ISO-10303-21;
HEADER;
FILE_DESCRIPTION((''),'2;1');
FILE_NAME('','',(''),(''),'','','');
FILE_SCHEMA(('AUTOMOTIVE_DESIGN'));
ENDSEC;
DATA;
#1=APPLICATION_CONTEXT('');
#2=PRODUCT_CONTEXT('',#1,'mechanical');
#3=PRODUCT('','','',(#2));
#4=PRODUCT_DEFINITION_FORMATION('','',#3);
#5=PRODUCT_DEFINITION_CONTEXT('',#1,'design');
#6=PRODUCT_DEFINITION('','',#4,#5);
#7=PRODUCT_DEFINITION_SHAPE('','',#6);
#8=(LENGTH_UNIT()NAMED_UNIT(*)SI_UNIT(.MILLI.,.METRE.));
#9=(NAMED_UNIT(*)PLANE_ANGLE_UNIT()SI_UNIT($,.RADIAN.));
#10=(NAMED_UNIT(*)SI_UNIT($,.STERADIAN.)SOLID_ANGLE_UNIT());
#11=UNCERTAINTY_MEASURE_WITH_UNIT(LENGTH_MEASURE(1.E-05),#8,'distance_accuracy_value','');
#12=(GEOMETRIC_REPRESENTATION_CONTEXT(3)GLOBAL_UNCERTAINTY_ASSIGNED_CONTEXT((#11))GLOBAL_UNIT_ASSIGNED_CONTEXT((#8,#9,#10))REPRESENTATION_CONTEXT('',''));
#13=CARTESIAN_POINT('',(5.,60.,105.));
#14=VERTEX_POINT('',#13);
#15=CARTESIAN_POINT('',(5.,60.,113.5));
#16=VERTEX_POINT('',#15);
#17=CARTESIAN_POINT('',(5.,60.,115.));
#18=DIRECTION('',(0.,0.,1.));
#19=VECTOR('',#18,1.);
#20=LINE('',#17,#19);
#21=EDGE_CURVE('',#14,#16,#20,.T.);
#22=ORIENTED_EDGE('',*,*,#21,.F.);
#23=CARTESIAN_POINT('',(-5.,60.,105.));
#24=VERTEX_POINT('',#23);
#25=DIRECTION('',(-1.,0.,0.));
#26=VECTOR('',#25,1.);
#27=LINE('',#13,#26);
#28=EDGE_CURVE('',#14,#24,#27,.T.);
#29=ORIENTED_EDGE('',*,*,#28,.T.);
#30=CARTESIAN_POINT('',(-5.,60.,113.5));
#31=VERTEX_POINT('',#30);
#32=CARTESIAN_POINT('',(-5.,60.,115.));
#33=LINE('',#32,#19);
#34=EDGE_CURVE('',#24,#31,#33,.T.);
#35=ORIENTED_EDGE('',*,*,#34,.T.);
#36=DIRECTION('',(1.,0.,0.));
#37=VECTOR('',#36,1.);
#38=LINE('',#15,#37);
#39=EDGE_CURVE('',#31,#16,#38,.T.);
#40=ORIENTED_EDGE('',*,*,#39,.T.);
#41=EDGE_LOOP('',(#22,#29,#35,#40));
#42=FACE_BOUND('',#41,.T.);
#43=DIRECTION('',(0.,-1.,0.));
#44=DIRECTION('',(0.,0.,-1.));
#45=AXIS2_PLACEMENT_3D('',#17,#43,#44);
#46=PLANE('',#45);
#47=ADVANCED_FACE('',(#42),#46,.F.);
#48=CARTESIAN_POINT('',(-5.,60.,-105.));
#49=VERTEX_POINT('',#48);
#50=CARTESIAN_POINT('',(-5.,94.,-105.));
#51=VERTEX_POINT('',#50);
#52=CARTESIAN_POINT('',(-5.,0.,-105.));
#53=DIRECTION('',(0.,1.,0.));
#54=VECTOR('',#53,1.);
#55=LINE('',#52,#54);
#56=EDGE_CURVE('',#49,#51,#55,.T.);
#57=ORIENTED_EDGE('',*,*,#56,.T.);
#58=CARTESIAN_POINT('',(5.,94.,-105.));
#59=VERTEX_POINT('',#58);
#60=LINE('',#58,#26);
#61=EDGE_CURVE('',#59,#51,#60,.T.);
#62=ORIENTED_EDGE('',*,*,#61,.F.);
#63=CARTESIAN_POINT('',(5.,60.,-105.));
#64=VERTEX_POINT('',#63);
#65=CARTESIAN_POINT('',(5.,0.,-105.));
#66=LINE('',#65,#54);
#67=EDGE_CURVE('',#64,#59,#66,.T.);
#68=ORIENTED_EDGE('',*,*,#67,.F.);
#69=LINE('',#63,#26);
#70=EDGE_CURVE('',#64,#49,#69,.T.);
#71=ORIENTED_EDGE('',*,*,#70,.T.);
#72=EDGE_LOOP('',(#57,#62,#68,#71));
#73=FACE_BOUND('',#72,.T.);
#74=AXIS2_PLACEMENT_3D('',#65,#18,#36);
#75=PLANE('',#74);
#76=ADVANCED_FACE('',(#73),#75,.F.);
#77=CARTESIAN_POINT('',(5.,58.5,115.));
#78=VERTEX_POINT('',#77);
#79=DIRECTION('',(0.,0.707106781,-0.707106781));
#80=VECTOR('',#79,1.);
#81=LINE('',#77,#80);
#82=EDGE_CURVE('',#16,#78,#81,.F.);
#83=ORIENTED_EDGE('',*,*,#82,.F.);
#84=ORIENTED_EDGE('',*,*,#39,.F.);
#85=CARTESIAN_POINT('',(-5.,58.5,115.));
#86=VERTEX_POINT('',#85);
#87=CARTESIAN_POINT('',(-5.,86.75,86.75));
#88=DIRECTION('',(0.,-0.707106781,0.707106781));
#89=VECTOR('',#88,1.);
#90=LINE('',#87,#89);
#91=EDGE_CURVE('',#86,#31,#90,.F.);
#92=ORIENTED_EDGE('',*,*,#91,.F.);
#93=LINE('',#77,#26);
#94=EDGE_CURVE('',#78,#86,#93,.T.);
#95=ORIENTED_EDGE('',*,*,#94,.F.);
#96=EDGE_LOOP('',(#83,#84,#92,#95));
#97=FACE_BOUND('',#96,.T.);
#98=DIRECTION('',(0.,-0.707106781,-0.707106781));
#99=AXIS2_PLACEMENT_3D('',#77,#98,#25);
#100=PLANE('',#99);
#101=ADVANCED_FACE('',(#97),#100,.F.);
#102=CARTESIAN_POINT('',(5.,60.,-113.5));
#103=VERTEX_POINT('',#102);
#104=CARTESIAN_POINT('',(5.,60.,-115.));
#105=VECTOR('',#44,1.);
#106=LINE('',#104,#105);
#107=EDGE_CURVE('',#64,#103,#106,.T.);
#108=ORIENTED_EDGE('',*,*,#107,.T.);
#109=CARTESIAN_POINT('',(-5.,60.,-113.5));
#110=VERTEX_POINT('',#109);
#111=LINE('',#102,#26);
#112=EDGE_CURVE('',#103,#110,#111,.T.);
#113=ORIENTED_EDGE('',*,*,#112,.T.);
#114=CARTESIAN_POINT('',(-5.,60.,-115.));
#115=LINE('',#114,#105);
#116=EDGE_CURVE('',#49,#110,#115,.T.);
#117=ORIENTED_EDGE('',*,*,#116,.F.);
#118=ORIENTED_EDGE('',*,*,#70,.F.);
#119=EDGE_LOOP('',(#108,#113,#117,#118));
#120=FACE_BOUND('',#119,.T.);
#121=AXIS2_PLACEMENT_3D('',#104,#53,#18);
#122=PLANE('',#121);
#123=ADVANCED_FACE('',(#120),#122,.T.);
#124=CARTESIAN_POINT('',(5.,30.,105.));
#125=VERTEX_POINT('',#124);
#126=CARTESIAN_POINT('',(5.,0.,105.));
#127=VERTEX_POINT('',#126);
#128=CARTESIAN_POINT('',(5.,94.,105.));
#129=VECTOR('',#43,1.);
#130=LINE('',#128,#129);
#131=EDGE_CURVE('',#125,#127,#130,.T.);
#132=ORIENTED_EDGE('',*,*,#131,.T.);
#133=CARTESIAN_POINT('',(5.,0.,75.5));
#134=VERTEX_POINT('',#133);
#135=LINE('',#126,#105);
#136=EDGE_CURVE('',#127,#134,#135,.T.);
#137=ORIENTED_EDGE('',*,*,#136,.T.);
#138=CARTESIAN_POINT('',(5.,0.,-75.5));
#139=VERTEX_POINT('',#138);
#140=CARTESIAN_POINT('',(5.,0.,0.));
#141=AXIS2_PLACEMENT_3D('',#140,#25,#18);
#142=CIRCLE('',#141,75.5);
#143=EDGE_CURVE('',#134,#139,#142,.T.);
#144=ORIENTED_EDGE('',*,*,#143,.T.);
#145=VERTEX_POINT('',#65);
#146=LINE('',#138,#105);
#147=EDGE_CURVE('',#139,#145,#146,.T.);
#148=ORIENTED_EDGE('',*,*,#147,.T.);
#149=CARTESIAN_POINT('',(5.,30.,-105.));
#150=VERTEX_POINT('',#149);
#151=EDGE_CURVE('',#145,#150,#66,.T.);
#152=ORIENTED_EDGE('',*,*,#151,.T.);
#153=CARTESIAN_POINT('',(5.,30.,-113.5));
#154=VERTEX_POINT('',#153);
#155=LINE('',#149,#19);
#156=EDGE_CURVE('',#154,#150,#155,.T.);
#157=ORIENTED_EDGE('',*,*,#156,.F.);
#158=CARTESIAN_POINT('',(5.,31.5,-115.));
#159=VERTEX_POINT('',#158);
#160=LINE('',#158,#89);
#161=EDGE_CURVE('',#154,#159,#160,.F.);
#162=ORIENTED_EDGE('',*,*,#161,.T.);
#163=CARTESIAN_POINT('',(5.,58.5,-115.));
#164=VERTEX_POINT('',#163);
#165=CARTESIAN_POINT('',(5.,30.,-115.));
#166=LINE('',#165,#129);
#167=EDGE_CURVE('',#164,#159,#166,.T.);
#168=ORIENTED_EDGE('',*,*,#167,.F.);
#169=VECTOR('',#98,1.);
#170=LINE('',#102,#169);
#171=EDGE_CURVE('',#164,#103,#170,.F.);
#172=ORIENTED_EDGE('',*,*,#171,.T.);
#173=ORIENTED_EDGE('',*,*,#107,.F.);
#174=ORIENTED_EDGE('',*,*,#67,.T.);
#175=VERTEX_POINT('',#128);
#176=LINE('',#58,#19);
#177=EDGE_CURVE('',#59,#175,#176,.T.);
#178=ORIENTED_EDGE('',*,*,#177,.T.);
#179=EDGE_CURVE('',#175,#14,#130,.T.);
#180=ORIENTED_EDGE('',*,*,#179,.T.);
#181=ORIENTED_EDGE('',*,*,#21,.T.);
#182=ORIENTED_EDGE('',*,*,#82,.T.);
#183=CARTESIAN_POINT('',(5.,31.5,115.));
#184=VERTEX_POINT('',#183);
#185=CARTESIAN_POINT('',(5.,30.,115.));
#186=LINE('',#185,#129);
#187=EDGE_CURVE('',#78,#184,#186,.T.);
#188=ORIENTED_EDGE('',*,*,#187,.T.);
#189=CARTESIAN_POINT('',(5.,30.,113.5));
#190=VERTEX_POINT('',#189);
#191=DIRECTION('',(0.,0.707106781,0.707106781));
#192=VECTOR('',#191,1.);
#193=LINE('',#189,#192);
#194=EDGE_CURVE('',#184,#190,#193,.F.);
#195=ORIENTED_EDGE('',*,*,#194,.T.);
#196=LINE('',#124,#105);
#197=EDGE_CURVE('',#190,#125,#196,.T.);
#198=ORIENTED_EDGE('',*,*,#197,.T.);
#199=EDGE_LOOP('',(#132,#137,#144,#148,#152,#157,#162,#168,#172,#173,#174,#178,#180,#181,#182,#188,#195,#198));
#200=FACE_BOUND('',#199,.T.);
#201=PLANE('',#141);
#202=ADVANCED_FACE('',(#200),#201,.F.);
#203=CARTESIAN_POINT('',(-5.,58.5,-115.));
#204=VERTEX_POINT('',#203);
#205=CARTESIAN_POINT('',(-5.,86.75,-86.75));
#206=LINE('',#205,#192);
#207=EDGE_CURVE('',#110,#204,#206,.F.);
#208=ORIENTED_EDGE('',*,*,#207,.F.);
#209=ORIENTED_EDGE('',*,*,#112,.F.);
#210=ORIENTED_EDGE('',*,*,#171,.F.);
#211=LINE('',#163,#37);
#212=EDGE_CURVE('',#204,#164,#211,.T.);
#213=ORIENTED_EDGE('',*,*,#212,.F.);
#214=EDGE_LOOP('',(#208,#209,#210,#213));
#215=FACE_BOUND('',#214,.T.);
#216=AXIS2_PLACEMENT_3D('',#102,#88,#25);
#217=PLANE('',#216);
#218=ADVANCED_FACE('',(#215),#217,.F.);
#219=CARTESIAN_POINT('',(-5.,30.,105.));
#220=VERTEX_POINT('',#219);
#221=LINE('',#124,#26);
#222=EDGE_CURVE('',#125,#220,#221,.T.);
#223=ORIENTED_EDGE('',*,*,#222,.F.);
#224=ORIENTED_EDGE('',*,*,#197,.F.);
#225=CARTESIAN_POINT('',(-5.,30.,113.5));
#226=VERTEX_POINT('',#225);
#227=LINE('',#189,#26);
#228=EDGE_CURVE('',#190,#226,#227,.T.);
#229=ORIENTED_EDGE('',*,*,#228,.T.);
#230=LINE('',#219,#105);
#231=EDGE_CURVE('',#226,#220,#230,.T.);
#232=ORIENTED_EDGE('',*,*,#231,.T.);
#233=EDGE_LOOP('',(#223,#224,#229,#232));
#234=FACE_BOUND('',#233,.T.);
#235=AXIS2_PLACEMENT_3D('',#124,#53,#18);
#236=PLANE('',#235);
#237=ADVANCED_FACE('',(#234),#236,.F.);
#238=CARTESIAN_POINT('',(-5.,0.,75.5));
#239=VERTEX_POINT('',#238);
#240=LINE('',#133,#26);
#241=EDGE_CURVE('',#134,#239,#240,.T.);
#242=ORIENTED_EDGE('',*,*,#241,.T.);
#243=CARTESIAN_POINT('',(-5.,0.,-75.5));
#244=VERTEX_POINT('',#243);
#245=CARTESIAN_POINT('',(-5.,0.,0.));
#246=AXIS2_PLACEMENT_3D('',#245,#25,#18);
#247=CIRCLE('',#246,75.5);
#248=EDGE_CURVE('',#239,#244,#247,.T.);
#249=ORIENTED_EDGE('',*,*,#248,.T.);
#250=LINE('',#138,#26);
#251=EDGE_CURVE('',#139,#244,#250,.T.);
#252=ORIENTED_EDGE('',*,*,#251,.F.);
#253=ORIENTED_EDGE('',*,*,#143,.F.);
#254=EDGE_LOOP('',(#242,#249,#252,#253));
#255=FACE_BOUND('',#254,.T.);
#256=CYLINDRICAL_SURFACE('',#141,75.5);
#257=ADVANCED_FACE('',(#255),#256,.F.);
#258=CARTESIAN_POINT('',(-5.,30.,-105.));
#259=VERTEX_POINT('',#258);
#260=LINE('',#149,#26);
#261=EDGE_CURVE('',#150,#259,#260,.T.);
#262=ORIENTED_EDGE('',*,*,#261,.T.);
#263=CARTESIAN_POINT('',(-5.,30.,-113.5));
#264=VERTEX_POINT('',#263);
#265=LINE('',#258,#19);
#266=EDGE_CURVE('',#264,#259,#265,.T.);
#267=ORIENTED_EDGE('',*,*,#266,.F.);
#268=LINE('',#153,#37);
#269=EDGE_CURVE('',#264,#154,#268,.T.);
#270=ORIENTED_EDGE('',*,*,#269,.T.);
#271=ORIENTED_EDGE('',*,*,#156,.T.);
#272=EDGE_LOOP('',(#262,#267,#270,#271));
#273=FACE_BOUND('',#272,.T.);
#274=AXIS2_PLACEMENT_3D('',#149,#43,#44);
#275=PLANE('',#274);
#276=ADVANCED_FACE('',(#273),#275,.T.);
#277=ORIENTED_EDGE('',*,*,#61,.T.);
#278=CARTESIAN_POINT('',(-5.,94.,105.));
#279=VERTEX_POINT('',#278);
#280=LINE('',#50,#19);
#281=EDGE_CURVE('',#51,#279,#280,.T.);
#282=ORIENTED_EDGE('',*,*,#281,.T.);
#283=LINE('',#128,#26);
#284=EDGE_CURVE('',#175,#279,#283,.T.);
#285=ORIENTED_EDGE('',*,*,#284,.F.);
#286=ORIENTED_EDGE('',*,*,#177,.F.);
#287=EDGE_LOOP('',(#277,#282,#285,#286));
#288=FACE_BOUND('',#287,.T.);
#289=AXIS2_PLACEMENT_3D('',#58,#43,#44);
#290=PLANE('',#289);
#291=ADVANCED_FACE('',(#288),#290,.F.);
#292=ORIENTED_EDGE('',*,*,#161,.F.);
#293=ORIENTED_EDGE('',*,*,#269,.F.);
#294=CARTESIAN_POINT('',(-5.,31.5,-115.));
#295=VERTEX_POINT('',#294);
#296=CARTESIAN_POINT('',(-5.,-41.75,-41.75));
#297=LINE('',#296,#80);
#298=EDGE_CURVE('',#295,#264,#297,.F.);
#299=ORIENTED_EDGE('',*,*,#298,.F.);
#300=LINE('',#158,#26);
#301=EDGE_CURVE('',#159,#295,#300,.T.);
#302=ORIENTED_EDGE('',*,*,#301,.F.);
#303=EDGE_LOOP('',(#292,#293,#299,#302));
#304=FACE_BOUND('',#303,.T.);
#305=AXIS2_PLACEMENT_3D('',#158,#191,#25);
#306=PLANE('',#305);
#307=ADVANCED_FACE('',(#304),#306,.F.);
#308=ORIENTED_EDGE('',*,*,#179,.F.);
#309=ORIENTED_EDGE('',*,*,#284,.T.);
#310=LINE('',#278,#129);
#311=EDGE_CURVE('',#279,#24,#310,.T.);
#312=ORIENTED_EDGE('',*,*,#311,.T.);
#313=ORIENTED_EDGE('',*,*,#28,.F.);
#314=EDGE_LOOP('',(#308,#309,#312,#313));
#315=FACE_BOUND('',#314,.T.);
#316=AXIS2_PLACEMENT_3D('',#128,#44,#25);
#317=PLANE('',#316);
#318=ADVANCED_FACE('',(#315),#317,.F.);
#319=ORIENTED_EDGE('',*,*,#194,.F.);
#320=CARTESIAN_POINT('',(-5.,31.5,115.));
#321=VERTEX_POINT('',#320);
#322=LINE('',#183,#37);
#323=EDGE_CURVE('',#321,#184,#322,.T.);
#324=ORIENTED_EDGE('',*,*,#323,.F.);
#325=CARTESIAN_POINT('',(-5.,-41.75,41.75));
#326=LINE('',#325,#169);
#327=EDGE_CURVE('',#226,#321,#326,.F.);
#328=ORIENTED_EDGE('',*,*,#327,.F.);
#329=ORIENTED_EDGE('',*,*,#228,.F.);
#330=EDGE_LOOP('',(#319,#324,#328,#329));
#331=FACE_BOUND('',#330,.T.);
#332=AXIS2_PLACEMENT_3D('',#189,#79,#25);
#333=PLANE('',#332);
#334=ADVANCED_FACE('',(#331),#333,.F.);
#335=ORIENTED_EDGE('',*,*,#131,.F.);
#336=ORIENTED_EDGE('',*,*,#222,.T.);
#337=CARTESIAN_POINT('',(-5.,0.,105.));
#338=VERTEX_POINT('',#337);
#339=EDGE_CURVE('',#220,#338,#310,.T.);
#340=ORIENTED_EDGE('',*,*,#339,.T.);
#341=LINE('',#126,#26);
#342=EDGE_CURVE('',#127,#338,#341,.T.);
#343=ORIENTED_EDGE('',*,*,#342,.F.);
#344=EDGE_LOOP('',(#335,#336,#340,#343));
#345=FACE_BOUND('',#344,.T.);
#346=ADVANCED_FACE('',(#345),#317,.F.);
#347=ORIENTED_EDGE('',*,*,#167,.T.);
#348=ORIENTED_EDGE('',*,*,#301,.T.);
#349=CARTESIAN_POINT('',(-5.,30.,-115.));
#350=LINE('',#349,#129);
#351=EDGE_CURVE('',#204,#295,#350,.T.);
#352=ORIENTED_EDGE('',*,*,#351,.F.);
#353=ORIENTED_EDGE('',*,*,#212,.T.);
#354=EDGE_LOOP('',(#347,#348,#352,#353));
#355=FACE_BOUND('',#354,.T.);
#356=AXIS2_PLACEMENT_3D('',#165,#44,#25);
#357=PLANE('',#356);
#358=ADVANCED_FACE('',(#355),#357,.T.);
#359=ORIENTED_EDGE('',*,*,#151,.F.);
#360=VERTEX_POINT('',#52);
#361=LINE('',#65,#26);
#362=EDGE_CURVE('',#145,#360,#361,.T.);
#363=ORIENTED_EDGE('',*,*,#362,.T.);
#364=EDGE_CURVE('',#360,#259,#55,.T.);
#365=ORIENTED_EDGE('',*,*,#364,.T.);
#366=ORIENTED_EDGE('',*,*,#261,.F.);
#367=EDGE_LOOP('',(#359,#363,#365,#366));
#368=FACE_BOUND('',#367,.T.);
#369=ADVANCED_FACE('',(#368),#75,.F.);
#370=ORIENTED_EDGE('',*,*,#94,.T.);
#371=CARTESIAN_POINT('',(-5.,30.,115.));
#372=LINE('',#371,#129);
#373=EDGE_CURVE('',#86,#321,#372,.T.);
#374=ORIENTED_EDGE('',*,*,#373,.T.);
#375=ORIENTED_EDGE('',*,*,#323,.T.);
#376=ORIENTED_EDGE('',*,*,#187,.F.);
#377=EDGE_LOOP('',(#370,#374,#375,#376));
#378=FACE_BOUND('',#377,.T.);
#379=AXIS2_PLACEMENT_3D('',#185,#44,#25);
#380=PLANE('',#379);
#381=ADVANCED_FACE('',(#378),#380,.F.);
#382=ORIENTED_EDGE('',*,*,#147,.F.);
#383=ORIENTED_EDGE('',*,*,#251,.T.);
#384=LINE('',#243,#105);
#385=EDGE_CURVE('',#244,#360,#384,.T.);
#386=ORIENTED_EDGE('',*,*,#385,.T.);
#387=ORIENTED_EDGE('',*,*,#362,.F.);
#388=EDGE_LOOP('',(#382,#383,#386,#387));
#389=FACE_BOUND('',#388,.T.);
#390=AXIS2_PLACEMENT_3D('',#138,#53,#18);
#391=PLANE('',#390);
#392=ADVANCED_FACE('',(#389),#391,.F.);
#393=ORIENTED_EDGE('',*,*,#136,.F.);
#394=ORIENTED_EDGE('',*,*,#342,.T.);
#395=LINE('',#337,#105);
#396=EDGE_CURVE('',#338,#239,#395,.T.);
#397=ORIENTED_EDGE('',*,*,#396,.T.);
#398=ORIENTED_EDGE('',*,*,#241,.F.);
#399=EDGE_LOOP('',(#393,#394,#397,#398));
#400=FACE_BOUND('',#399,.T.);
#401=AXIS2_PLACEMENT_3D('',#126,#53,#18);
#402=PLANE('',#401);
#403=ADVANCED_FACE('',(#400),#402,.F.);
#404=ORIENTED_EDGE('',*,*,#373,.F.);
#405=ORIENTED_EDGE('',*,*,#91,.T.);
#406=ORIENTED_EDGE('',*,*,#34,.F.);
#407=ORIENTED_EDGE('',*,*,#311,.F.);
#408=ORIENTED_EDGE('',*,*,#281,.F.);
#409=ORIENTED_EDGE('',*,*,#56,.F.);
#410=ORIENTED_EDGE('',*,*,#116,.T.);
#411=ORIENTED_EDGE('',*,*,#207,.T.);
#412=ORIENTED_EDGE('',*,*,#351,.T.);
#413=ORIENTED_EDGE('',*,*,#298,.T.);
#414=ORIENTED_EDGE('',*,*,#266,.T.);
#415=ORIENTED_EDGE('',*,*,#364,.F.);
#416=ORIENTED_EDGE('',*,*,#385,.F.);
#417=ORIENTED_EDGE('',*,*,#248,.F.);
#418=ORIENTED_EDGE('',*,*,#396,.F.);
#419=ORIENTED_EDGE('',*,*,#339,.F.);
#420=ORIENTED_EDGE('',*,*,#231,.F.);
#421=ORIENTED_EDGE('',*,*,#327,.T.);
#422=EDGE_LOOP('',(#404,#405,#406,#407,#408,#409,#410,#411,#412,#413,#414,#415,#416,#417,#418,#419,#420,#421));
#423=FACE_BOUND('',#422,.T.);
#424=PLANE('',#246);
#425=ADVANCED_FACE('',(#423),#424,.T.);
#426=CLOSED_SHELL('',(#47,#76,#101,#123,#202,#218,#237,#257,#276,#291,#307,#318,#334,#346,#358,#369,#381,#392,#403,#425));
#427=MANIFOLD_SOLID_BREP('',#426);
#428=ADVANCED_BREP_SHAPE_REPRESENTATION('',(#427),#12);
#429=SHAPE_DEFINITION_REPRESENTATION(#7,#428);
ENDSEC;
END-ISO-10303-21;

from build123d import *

# Parameters (mm, degrees)
EXTRUDE_583_DEPTH              = 5
SKETCH_2_W                     = 10
SKETCH_2_H                     = 30
EXTRUDE_642_DEPTH              = 5
CHAMFER_690_SIZE               = 1.5
CHAMFER_690_OF_MIRROR_757_SIZE = 1.5


with BuildPart() as part:
    # ｽｹｯﾁ1 → Extrude 583 (new, symmetric)
    with BuildSketch(Plane(origin=(0, 0, 0), x_dir=(0, 0, -1), z_dir=(1, 0, 0))):
        with BuildLine():
            Line((75.5, 0), (105, 0))
            Line((105, 0), (105, 94))
            Line((105, 94), (-105, 94))
            Line((-105, 94), (-105, 0))
            Line((-105, 0), (-75.5, 0))
            ThreePointArc((-75.5, 0), (0, 75.5), (75.5, 0))
        make_face()
    extrude(amount=EXTRUDE_583_DEPTH, both=True)

    # ｽｹｯﾁ2 → Extrude 642 (add, symmetric)
    with BuildSketch(Plane(origin=(0, 0, 0), x_dir=(0, 0, -1), z_dir=(1, 0, 0))):
        with Locations((-110, 45)):
            Rectangle(SKETCH_2_W, SKETCH_2_H)
    extrude_642 = extrude(amount=EXTRUDE_642_DEPTH, both=True)

    # Chamfer 690
    chamfer_690_edges = [part.edges().sort_by_distance(p)[0] for p in [
        (0, 60, 115),
        (0, 30, 115),
    ]]
    chamfer(chamfer_690_edges, length=CHAMFER_690_SIZE)

    # Mirror 757: Extrude 642 across plane
    add(extrude_642.mirror(Plane.XY))

    # Chamfer 690 of Mirror 757
    chamfer_690_of_mirror_757_edges = [part.edges().sort_by_distance(p)[0] for p in [
        (0, 60, -115),
        (0, 30, -115),
    ]]
    chamfer(chamfer_690_of_mirror_757_edges, length=CHAMFER_690_OF_MIRROR_757_SIZE)


solid = part.part
